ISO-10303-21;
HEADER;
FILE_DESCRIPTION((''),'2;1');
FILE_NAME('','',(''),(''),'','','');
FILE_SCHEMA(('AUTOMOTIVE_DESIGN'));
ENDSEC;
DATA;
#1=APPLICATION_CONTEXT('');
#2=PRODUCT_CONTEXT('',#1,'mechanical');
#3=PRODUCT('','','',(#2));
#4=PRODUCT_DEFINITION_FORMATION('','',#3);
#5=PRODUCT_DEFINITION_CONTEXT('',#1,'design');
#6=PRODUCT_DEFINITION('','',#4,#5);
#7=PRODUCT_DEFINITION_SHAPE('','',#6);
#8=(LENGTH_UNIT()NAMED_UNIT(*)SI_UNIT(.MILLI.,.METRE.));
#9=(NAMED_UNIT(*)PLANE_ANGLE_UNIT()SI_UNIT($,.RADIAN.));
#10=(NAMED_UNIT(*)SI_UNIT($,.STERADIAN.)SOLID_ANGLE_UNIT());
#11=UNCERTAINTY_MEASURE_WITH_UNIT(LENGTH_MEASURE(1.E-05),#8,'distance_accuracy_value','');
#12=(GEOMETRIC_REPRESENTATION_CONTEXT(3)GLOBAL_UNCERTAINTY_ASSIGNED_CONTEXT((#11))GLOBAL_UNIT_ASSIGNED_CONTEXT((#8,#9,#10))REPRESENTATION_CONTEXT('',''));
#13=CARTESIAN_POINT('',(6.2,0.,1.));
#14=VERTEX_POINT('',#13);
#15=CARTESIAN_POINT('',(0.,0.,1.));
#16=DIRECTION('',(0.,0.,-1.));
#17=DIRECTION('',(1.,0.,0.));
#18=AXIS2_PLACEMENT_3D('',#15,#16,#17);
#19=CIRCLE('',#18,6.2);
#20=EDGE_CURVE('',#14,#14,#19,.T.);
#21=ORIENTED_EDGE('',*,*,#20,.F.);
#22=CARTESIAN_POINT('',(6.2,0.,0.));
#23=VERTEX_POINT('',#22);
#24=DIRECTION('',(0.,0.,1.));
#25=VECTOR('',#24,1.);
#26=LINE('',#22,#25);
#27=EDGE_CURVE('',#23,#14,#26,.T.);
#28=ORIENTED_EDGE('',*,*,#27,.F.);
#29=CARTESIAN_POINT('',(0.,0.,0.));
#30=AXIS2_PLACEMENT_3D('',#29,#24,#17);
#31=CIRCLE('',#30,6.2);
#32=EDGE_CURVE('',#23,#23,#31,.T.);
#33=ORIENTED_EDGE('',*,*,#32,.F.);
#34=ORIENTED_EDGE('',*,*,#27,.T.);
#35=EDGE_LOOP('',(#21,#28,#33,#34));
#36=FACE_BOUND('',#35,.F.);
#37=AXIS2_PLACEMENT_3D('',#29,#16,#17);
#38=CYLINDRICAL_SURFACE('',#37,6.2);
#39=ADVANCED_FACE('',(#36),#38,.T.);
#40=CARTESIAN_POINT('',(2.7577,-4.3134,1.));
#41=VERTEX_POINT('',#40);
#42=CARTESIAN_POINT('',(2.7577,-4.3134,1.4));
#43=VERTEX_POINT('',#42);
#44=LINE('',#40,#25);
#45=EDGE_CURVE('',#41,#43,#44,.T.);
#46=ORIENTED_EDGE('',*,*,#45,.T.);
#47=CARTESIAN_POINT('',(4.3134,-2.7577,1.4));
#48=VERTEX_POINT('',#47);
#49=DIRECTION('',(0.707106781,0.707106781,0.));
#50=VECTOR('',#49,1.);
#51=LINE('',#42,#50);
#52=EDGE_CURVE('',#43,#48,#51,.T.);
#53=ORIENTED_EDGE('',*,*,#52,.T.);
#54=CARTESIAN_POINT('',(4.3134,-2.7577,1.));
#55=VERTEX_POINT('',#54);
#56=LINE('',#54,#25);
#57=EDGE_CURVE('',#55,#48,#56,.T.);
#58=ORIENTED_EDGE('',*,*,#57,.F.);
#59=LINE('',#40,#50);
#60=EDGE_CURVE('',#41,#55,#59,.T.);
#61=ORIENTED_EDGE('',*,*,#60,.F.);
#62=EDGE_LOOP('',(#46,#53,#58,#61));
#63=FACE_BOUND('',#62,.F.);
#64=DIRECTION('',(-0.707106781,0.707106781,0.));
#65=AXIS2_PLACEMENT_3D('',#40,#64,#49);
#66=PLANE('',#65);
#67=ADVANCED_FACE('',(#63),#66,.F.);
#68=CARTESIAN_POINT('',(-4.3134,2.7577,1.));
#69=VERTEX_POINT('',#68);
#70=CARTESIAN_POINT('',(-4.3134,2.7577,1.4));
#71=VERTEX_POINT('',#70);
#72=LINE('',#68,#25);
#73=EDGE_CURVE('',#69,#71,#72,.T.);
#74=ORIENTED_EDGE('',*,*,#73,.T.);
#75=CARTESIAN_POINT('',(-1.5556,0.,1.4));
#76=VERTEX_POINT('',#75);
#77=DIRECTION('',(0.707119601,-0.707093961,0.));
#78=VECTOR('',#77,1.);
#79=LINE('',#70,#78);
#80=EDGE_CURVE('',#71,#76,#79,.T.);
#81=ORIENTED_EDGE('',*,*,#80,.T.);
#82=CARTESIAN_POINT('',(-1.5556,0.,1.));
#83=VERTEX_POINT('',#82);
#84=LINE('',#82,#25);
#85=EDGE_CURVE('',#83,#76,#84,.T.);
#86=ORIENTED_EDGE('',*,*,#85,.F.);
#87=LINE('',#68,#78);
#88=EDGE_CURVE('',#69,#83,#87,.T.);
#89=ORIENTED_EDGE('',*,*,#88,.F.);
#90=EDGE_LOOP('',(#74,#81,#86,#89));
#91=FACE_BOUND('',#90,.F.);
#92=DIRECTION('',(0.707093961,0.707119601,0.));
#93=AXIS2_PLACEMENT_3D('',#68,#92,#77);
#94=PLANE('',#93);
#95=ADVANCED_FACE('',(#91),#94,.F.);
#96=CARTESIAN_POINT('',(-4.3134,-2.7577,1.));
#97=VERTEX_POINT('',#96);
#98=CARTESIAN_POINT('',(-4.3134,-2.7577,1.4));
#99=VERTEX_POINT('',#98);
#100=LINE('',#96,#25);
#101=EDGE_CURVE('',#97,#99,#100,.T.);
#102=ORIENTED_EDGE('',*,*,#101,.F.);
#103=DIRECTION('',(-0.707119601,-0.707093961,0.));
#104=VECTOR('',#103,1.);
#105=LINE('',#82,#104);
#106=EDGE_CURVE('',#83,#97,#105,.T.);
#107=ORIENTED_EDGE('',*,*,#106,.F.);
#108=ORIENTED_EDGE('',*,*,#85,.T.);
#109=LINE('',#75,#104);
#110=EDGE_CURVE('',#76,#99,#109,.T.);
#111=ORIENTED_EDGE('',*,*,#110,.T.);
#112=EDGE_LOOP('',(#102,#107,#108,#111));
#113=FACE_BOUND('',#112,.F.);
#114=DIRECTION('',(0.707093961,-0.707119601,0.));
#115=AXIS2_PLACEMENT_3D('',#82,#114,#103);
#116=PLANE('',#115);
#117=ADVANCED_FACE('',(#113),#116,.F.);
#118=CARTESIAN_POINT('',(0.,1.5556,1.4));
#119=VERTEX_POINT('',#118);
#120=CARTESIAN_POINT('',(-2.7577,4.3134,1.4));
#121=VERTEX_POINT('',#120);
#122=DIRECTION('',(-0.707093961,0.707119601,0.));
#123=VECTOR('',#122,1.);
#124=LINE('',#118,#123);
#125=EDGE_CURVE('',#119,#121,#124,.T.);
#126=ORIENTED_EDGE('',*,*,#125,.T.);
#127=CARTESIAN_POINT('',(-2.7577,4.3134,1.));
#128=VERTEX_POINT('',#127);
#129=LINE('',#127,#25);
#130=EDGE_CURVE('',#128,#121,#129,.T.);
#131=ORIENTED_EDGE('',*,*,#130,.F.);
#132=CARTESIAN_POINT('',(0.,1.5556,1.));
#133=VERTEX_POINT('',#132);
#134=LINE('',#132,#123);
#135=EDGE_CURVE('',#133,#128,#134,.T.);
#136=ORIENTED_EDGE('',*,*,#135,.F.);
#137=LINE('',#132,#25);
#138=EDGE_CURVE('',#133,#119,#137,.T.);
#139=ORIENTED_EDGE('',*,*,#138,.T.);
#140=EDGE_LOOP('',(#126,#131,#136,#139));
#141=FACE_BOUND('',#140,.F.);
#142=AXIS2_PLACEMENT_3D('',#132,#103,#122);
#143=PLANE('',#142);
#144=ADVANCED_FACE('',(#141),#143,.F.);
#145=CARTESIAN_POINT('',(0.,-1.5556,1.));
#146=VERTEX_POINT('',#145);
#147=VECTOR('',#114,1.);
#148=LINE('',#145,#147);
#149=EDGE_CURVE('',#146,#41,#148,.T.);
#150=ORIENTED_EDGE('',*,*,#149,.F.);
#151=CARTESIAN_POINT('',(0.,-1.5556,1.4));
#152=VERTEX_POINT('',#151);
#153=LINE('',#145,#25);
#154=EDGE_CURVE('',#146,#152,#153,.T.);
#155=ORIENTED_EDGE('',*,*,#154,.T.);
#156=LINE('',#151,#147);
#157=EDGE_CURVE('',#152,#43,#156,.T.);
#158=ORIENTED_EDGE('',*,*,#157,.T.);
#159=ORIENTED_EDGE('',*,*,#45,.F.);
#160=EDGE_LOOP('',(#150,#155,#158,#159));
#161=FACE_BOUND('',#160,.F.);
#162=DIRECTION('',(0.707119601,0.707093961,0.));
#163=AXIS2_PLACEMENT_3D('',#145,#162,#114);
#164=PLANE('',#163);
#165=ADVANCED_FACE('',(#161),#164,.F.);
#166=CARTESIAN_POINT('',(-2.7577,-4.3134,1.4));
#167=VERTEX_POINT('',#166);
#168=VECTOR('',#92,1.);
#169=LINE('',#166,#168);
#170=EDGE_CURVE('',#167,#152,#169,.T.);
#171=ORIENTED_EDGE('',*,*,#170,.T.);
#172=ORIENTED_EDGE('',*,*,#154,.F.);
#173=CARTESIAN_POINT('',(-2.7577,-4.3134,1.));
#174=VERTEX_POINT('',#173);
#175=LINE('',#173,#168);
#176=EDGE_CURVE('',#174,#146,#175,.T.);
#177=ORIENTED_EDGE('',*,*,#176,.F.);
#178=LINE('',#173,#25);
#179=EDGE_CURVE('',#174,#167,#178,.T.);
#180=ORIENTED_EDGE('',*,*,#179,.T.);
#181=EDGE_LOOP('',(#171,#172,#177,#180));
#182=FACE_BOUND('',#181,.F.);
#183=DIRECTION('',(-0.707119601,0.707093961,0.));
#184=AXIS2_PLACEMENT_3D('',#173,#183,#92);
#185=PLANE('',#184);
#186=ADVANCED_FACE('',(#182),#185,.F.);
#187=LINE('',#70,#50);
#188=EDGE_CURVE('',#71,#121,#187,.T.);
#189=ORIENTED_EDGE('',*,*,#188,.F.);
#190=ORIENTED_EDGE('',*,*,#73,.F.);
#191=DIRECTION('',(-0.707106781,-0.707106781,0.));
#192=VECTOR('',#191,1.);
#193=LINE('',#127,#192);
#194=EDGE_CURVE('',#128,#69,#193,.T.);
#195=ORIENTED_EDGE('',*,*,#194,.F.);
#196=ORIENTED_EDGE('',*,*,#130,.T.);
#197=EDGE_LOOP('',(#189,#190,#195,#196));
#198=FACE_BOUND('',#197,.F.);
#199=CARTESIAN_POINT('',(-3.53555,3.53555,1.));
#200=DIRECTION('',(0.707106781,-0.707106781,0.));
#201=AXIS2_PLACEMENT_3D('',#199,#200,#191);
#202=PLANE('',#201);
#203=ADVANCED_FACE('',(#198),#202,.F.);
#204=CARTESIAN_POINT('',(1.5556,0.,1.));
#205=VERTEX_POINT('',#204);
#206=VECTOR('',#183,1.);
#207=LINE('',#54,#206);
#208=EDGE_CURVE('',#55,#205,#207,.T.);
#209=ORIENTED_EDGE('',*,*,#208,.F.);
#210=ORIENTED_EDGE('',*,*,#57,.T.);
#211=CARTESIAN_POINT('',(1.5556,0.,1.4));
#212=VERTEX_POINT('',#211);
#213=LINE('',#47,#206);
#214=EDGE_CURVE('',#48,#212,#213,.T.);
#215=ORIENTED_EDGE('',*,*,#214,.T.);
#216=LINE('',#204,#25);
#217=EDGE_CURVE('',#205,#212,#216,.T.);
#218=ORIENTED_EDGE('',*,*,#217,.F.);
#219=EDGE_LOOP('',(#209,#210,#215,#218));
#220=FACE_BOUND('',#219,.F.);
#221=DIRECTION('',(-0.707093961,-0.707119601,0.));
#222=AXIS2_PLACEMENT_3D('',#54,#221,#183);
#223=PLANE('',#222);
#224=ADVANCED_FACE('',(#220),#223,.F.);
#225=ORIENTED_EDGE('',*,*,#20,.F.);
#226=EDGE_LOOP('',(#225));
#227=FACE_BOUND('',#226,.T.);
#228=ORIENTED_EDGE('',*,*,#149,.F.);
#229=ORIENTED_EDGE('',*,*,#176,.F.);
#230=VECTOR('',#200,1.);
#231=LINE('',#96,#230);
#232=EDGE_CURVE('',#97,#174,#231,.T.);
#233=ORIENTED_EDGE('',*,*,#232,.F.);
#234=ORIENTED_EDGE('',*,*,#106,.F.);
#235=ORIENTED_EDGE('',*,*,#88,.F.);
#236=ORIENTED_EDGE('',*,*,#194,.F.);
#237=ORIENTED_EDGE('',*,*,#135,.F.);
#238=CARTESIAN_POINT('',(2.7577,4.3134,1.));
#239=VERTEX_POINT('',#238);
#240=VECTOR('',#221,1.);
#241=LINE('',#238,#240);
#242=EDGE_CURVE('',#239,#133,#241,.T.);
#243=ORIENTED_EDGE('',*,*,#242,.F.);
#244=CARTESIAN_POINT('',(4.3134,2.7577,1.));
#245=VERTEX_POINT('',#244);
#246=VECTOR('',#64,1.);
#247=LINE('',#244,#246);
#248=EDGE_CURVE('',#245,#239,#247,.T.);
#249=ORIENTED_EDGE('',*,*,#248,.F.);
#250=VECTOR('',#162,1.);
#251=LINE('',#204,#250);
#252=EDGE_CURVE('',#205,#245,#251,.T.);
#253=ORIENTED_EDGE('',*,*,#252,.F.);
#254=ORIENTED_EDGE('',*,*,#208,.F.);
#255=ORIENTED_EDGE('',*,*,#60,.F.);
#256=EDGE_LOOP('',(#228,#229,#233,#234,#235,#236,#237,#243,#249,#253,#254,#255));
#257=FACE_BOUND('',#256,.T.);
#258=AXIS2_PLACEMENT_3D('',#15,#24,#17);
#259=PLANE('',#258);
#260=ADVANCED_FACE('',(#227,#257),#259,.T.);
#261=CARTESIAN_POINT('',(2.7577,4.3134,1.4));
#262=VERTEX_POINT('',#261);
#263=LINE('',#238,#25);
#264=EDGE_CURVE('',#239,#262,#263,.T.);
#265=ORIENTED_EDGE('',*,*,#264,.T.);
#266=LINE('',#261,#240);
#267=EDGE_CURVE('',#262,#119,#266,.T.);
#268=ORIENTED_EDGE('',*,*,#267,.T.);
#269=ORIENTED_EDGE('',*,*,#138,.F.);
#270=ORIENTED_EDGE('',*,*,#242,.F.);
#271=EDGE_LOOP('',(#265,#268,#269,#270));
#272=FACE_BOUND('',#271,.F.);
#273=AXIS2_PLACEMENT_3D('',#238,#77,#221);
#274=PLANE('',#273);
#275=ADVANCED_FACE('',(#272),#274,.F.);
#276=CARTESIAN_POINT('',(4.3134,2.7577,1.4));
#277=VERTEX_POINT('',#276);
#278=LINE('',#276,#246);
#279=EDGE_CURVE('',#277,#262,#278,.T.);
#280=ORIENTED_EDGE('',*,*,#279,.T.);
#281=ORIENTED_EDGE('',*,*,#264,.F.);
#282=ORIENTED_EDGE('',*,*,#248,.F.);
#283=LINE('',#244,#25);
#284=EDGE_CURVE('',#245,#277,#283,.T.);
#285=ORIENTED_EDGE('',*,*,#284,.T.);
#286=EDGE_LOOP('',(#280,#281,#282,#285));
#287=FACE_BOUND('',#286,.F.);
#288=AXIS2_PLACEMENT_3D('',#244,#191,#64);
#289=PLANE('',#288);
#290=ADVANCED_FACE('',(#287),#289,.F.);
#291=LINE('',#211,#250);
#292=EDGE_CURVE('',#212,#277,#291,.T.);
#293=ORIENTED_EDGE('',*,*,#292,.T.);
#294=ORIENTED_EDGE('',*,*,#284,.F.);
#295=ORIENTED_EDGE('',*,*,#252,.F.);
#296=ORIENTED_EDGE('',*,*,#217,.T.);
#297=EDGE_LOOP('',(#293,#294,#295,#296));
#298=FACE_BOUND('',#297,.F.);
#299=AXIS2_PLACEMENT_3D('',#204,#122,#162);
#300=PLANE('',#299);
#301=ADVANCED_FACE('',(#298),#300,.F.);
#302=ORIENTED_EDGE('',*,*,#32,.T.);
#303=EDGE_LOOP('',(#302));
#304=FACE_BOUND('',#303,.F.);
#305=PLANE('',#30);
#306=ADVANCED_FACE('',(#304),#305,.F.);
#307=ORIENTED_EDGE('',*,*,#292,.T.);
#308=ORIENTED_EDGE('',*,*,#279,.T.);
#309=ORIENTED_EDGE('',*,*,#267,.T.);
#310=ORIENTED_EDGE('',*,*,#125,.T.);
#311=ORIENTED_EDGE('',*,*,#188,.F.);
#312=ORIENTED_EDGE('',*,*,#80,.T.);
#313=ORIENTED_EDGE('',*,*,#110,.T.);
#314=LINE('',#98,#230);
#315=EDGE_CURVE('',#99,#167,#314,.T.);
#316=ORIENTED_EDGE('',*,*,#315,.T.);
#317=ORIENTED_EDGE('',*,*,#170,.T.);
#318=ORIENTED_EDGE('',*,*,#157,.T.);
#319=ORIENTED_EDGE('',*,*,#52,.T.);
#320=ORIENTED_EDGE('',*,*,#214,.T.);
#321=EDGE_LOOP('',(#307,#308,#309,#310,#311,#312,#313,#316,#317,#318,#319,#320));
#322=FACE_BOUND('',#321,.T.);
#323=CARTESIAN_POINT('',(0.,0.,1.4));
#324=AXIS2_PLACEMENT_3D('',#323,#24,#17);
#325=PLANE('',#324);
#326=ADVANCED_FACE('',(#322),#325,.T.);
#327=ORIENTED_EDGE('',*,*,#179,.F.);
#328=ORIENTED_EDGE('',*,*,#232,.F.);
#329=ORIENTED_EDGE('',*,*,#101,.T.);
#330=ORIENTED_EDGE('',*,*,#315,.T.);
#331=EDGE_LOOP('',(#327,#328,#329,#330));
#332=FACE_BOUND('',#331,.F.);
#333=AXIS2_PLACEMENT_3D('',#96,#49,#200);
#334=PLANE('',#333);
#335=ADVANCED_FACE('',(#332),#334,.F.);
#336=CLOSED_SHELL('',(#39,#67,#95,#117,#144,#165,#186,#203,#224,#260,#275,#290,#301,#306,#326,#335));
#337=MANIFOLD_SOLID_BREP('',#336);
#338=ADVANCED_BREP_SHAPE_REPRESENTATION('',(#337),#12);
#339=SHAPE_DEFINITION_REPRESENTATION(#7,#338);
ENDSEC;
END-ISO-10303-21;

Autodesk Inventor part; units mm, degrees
ref_plane "YZ Plane" through (0, 0, 0) normal (1, 0, 0) x (0, 1, 0)
ref_plane "XZ Plane" through (0, 0, 0) normal (0, 1, 0) x (-1, 0, 0)
ref_plane "XY Plane" through (0, 0, 0) normal (0, 0, 1) x (1, 0, 0)
sketch "Náčrt1" plane through (0, 0, 0) normal (0, 0, 1) x (1, 0, 0)
  line L0 (0, 8.68) -> (0, -8.68) projected
  line L1 (-8.68, 0) -> (8.68, 0) projected
  circle A0 centre (0, 0) radius 6.2
  dimension "d0" = 12.4
extrude "Vysunutí1" add sketch "Náčrt1" along normal blind 1
sketch "Náčrt2" plane through (0, 0, 1) normal (0, 0, 1) x (1, 0, 0)
  line L0 (-8.68, 0) -> (8.68, 0) projected
  line L1 (0, 8.68) -> (0, -8.68) projected
  line L2 (0, 1.5556) -> (-2.7577, 4.3134)
  line L3 (-2.7577, 4.3134) -> (-4.3134, 2.7577)
  line L4 (-4.3134, 2.7577) -> (-1.5556, 0)
  line L5 (0, 0) -> (-4.3841, 4.3841)
  circle A0 centre (0, 0) radius 6.2 projected
  line L6 (0, 0) -> (6.2, 0) construction
  line L7 (-4.3134, -2.7577) -> (-2.7577, -4.3134)
  line L8 (-1.5556, 0) -> (-4.3134, -2.7577)
  line L9 (-2.7577, -4.3134) -> (0, -1.5556)
  line L10 (2.7577, -4.3134) -> (4.3134, -2.7577)
  line L11 (0, -1.5556) -> (2.7577, -4.3134)
  line L12 (4.3134, -2.7577) -> (1.5556, 0)
  line L13 (4.3134, 2.7577) -> (2.7577, 4.3134)
  line L14 (1.5556, 0) -> (4.3134, 2.7577)
  line L15 (2.7577, 4.3134) -> (0, 1.5556)
  point P0 (-1.5556, 0)
  point P1 (0, -1.5556)
  point P2 (1.5556, 0)
  dimension "d3" = 2.2
  dimension "d4" = 5
  dimension "d5" = 135
  dimension "d8" = 360
extrude "Vysunutí2" add sketch "Náčrt2" along normal blind 0.4 contours L4 L3 L5 L0 | L0 L1 L9 L7 L8 | L1 L15 L13 L14 L0 | L5 L3 L2 L1 | L0 L12 L10 L11 L1
properties part number "button_plate_cross"
